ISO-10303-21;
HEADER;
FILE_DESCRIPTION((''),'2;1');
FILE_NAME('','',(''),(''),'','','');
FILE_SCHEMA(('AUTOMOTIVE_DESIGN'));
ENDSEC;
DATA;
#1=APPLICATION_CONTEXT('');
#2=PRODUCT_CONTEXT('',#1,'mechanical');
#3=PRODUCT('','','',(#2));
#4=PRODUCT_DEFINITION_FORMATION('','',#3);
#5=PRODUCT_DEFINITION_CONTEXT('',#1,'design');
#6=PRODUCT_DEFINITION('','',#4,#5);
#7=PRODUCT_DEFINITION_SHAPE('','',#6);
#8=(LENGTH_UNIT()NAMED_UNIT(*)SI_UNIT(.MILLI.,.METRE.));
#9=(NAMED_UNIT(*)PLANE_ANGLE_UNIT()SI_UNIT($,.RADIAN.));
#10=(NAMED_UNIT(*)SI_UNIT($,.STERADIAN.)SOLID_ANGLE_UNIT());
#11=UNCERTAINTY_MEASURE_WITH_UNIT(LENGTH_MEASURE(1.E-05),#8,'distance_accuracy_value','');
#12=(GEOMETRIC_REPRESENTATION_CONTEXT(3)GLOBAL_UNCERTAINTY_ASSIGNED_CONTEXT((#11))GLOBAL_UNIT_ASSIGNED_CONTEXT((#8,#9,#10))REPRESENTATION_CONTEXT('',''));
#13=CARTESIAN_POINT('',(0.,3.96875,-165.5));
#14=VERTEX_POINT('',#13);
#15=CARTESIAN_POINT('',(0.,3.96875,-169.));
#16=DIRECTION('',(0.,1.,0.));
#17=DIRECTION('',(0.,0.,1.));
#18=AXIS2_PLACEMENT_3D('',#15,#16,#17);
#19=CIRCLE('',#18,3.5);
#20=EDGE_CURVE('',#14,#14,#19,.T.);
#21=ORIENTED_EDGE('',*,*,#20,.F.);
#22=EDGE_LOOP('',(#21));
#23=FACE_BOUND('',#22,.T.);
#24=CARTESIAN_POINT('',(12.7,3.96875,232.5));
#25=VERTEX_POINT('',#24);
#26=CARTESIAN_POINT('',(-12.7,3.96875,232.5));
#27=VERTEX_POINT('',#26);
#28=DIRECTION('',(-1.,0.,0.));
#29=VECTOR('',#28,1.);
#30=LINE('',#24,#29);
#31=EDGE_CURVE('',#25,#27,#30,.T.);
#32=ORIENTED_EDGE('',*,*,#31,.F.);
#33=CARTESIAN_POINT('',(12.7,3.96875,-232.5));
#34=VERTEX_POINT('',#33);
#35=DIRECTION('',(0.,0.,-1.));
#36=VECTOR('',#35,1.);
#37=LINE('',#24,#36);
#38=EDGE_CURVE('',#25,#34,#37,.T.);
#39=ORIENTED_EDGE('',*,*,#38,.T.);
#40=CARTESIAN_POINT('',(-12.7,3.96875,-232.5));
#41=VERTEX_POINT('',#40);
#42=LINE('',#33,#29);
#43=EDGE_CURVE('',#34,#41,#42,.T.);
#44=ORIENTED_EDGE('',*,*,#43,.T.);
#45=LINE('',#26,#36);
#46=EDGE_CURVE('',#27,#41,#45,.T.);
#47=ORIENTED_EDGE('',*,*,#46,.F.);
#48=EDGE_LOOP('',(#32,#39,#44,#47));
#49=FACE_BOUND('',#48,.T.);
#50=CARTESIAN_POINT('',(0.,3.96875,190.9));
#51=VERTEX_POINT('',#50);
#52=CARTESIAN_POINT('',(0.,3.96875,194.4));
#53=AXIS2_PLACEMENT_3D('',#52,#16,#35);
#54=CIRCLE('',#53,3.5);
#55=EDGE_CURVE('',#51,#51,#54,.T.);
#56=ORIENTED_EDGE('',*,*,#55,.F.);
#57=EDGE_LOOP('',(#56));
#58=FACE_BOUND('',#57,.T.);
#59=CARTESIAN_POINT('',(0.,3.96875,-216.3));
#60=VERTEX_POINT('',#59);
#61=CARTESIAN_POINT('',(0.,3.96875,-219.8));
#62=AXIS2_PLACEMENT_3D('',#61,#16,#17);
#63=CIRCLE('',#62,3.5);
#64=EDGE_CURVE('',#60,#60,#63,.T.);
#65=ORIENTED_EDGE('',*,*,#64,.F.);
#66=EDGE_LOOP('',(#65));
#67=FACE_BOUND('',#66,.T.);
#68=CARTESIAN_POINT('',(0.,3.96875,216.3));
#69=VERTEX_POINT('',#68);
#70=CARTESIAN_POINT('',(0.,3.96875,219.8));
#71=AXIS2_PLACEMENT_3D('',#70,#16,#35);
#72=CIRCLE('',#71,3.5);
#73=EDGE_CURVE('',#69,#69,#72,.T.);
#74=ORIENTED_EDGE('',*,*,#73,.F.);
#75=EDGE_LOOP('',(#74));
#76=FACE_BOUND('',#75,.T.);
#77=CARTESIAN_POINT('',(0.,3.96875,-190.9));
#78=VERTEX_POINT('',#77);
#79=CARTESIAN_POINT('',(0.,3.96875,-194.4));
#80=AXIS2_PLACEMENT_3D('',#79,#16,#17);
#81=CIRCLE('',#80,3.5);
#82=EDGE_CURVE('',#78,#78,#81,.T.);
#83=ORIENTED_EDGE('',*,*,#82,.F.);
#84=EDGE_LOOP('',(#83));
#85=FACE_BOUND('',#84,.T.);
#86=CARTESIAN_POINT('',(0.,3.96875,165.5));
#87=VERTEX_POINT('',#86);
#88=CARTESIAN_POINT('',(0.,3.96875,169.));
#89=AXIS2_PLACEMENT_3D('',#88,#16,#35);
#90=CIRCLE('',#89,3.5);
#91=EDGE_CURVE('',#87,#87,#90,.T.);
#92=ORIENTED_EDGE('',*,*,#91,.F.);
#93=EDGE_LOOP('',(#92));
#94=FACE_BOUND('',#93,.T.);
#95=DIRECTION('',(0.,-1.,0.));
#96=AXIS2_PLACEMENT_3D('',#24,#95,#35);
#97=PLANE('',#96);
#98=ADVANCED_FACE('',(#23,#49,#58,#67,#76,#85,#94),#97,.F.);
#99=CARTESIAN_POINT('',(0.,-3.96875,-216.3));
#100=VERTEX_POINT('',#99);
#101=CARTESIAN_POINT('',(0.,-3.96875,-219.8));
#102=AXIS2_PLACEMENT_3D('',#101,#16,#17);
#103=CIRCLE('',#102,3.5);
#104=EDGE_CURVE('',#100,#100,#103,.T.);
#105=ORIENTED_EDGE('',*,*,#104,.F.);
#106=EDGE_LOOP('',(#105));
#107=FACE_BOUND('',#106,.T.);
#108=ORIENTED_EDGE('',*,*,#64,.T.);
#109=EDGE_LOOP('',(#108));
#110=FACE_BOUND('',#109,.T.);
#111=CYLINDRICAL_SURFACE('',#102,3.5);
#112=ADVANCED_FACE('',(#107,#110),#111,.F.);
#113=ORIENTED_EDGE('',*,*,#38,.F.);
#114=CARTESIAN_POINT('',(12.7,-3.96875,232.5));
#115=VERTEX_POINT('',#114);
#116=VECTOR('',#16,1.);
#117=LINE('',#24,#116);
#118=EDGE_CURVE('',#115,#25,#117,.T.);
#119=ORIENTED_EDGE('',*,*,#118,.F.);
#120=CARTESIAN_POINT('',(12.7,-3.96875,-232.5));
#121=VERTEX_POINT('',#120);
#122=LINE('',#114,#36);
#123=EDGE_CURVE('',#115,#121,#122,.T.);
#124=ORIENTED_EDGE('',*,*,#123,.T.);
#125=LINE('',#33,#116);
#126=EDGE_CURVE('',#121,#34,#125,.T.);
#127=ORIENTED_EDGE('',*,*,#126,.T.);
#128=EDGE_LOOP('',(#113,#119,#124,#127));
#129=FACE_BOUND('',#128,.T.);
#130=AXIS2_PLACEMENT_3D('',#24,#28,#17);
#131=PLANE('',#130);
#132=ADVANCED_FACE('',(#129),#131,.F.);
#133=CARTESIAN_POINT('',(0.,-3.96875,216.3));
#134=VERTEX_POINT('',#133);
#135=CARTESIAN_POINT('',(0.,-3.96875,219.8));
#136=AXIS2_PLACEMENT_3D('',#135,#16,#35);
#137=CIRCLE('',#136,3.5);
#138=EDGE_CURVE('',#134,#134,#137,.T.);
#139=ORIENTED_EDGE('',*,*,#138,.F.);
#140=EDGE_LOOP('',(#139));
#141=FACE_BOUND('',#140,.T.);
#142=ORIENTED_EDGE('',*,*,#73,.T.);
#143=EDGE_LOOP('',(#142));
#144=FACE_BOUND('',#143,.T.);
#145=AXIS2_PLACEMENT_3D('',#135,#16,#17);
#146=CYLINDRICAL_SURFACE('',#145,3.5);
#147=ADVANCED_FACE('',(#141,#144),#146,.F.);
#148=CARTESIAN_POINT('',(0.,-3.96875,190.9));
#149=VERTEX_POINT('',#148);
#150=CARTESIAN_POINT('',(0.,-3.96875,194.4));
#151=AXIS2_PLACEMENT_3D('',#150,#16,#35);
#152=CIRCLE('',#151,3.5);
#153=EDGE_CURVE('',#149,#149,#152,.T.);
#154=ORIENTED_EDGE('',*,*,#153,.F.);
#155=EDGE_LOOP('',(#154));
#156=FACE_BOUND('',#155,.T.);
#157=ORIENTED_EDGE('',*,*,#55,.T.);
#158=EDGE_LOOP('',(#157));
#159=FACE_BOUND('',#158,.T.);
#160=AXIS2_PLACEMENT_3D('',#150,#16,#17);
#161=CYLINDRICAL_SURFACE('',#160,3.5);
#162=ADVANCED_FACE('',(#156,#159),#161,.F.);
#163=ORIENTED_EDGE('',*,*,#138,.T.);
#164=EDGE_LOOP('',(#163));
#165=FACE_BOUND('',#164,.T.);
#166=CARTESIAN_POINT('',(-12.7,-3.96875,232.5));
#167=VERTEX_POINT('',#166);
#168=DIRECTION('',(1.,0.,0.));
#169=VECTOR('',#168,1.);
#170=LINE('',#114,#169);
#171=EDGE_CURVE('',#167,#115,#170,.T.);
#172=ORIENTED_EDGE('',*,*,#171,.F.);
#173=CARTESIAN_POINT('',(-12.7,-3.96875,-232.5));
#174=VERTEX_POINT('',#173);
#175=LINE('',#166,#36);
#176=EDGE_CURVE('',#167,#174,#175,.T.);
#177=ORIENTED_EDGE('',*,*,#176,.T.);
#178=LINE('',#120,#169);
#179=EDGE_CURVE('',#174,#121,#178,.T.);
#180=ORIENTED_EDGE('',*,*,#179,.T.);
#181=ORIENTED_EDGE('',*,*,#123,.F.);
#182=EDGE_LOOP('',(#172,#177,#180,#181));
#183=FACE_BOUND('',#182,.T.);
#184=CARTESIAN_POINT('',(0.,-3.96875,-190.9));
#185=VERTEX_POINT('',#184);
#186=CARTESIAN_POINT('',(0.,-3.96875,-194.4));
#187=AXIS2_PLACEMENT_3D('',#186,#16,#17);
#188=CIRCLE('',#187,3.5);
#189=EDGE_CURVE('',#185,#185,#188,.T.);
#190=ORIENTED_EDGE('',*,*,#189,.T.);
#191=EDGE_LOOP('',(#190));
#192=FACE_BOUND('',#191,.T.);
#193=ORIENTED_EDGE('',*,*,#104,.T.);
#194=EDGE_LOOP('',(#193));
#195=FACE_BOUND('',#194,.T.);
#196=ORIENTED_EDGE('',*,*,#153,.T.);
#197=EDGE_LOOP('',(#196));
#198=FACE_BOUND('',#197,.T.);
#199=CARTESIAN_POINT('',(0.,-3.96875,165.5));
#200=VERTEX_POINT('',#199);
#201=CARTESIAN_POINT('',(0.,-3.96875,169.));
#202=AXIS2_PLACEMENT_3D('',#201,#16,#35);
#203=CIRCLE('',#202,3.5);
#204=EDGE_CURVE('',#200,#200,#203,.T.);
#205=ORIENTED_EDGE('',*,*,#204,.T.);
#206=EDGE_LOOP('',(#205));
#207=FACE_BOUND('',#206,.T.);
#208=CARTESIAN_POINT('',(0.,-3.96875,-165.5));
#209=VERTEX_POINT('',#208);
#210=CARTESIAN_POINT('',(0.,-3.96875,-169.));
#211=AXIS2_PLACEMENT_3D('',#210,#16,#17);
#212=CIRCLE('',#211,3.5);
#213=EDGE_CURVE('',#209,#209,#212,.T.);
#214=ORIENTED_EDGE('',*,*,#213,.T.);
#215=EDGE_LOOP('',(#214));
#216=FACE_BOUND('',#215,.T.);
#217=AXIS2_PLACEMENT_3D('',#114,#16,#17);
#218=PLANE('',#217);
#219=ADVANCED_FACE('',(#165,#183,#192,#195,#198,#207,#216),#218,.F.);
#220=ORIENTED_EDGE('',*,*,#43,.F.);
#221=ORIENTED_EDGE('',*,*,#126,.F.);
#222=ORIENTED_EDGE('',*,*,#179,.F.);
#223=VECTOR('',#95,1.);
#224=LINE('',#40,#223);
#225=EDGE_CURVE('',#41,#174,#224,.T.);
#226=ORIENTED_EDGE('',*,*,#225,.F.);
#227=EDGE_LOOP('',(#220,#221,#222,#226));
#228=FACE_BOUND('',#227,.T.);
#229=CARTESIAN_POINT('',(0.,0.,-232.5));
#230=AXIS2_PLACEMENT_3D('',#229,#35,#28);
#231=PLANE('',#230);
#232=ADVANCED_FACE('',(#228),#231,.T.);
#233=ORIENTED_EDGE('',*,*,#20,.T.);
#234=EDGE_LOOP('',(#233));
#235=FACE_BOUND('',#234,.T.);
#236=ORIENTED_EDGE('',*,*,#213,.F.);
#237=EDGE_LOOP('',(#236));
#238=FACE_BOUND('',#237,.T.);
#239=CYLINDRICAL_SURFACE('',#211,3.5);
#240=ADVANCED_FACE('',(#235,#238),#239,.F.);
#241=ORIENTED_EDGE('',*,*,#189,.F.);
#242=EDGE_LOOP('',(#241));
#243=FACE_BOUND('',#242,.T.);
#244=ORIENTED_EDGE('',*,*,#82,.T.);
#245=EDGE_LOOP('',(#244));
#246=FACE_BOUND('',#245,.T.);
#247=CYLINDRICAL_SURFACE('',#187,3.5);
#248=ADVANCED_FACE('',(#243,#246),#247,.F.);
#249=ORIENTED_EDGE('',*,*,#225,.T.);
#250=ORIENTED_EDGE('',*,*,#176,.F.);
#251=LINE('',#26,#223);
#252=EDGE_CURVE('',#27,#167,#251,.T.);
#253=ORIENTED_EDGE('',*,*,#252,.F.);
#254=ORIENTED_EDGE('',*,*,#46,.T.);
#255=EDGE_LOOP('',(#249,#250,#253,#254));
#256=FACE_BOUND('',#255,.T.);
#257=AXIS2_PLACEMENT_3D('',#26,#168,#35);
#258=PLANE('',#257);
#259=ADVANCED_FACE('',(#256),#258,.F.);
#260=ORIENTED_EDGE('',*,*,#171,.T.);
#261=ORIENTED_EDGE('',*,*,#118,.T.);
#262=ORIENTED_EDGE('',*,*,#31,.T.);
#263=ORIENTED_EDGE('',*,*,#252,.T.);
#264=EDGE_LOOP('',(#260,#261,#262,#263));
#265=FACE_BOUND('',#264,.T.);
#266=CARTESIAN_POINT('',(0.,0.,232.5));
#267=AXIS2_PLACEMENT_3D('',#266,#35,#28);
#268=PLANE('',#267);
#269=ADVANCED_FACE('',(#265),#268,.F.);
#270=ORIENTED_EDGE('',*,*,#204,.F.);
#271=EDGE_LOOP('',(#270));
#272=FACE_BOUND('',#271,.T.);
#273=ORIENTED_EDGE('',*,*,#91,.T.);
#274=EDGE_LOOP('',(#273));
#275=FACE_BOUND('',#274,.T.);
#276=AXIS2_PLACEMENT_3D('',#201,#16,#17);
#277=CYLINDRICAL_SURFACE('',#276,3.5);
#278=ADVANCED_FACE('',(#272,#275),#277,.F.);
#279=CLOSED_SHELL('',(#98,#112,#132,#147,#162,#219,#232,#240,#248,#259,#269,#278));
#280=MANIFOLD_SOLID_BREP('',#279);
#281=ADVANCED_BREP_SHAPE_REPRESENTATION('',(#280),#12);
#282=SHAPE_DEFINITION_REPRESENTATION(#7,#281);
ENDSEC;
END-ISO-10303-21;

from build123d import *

# Parameters (mm, degrees)
SKETCH3_W           = 25.4
SKETCH3_H           = 7.9375
BOSS_EXTRUDE1_DEPTH = 232.5
SKETCH4_R           = 3.5
CUT_EXTRUDE1_DEPTH  = 8.9375


with BuildPart() as part:
    # Sketch3 → Boss-Extrude1 (new body, symmetric)
    with BuildSketch(Plane.XY):
        Rectangle(SKETCH3_W, SKETCH3_H)
    extrude(amount=BOSS_EXTRUDE1_DEPTH, both=True)

    # Sketch4 → Cut-Extrude1 (cut, through all)
    with BuildSketch(Plane(origin=(0, 3.96875, 0), x_dir=(1, 0, 0), z_dir=(0, 1, 0))):
        with Locations((0, 219.8)):
            Circle(SKETCH4_R)
        with Locations((0, 194.4)):
            Circle(SKETCH4_R)
        with Locations((0, 169)):
            Circle(SKETCH4_R)
        with Locations((0, -169)):
            Circle(SKETCH4_R)
        with Locations((0, -194.4)):
            Circle(SKETCH4_R)
        with Locations((0, -219.8)):
            Circle(SKETCH4_R)
    extrude(amount=-CUT_EXTRUDE1_DEPTH, mode=Mode.SUBTRACT)


solid = part.part
